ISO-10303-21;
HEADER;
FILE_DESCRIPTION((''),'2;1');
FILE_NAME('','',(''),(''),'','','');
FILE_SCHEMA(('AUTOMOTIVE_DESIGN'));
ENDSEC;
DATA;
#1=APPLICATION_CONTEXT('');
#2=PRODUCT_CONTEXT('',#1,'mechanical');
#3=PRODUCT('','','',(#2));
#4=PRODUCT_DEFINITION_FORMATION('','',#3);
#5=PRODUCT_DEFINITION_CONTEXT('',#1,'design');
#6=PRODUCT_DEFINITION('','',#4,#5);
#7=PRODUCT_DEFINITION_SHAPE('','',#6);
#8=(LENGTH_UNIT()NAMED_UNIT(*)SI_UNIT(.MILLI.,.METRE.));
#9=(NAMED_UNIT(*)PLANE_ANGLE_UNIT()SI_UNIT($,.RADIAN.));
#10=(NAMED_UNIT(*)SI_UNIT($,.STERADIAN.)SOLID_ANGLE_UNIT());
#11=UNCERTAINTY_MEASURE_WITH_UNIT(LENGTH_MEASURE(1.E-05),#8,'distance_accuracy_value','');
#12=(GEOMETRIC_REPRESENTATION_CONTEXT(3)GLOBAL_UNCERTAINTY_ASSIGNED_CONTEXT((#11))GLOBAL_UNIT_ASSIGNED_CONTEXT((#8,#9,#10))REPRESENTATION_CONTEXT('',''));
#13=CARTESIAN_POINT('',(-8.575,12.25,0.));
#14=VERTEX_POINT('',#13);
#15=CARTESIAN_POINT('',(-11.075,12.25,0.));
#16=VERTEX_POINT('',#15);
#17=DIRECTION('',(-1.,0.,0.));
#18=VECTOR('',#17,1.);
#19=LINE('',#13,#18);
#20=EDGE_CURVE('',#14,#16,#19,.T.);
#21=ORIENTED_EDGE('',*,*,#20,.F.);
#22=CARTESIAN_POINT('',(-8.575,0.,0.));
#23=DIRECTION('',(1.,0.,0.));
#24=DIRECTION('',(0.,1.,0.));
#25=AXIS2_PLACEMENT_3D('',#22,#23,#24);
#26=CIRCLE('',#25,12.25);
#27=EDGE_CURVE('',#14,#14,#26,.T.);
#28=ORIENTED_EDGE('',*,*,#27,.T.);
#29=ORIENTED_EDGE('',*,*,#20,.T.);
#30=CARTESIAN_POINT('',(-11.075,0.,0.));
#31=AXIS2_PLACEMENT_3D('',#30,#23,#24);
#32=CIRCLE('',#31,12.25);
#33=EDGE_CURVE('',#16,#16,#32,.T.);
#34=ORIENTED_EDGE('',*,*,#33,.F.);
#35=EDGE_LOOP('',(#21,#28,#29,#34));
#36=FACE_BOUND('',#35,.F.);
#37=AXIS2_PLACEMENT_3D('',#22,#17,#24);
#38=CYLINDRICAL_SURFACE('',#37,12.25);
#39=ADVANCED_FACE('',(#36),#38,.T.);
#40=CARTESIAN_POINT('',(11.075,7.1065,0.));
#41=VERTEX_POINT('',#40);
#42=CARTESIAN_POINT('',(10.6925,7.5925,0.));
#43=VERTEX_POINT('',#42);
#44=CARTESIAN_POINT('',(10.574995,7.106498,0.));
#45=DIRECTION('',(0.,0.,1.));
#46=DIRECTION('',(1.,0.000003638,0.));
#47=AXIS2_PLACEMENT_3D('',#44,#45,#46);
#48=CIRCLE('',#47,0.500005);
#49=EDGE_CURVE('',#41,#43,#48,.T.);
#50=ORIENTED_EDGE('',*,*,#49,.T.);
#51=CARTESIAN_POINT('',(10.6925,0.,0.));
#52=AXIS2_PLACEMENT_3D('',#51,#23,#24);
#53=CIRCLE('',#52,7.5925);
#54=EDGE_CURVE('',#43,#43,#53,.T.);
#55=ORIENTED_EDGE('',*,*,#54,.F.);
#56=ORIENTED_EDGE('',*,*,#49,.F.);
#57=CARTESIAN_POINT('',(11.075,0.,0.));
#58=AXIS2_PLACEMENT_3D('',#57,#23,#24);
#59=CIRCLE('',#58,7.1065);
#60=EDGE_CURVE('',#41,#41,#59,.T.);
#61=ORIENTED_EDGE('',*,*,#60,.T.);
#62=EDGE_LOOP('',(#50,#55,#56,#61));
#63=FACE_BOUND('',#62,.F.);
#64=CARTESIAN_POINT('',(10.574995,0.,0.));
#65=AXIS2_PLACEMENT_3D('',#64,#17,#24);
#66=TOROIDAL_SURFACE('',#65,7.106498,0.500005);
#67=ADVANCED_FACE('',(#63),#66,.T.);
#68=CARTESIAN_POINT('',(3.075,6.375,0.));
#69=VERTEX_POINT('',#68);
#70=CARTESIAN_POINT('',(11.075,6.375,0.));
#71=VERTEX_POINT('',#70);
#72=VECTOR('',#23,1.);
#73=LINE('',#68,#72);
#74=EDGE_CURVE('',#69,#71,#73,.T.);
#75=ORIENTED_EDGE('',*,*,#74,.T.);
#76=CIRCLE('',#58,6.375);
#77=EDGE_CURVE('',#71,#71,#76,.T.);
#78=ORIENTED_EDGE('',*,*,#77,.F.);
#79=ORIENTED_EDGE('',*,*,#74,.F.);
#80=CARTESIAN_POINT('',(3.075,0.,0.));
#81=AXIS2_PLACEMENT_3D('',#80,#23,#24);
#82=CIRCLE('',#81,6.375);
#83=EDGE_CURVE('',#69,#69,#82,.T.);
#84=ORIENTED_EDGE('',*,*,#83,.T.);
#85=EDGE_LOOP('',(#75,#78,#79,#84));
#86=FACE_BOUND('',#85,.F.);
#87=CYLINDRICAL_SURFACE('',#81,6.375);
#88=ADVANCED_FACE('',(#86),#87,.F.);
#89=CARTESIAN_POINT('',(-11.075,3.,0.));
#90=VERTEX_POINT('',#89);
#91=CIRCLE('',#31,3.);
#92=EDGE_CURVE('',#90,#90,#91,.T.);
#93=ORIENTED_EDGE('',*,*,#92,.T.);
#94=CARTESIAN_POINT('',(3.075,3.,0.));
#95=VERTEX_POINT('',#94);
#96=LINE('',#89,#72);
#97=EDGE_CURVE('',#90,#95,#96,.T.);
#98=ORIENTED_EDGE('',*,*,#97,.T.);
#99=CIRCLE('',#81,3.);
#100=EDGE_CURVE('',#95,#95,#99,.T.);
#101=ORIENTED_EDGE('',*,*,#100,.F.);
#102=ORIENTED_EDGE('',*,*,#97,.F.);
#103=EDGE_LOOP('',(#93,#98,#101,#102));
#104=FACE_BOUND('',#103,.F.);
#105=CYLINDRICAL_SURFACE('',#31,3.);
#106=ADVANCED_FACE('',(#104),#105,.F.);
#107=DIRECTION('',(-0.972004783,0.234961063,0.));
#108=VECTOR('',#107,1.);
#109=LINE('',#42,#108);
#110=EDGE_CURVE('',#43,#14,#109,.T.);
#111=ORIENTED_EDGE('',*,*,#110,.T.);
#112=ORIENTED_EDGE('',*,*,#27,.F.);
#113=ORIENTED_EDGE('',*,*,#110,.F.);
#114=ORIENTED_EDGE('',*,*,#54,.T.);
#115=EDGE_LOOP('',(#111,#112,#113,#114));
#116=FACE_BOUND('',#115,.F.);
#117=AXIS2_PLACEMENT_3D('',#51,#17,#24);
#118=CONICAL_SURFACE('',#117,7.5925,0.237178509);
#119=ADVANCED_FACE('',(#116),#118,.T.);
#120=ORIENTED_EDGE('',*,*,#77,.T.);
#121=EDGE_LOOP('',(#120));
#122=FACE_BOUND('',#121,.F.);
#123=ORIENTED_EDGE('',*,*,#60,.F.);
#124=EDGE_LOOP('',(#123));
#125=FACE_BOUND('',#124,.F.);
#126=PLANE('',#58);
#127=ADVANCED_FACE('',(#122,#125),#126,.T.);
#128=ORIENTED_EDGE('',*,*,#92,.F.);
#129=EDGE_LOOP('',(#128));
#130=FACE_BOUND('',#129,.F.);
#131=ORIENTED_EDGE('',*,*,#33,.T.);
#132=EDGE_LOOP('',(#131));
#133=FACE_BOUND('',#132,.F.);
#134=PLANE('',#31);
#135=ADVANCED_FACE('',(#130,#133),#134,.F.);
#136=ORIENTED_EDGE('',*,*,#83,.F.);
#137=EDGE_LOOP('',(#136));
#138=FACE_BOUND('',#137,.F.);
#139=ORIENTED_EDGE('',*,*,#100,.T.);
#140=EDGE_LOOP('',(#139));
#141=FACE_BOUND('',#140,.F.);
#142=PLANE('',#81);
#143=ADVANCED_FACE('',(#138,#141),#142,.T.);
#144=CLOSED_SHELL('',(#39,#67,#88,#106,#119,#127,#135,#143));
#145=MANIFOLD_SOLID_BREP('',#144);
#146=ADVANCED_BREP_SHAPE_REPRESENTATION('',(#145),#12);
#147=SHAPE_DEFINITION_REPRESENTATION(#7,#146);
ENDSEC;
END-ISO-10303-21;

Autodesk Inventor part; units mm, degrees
ref_plane "YZ Plane" through (0, 0, 0) normal (1, 0, 0) x (0, 1, 0)
ref_plane "XZ Plane" through (0, 0, 0) normal (0, 1, 0) x (-1, 0, 0)
ref_plane "XY Plane" through (0, 0, 0) normal (0, 0, 1) x (1, 0, 0)
sketch "Esquisse1" plane through (0, 0, 0) normal (0, 0, 1) x (1, 0, 0)
  line L0 (-25.4342, 0) -> (0, 0)
  line L1 (-11.075, 3) -> (3.075, 3)
  line L2 (3.075, 3) -> (3.075, 6.375)
  line L3 (3.075, 6.375) -> (11.075, 6.375)
  line L4 (11.075, 6.375) -> (11.075, 7.1065)
  line L5 (10.6925, 7.5925) -> (-8.575, 12.25)
  line L6 (-8.575, 12.25) -> (-11.075, 12.25)
  line L7 (-11.075, 12.25) -> (-11.075, 3)
  arc A0 (11.075, 7.1065) -> (10.6925, 7.5925) centre (10.575, 7.1065) ccw
  point P0 (11.075, 7.5)
  dimension "d0" = 22.15
  dimension "d1" = 6
  dimension "d2" = 12.75
  dimension "d3" = 8
  dimension "d4" = 24.5
  dimension "d6" = 15
  dimension "d7" = 11.075
  dimension "d8" = 2.5
  dimension "d9" = 0.5
revolve "Révolution1" add sketch "Esquisse1" angle 360 about axis through (-25.4342, 0, 0) along (1, 0, 0)
equation "\"d7\" = 0.5 * d0"
properties part number "Pied" material "Aluminium"
